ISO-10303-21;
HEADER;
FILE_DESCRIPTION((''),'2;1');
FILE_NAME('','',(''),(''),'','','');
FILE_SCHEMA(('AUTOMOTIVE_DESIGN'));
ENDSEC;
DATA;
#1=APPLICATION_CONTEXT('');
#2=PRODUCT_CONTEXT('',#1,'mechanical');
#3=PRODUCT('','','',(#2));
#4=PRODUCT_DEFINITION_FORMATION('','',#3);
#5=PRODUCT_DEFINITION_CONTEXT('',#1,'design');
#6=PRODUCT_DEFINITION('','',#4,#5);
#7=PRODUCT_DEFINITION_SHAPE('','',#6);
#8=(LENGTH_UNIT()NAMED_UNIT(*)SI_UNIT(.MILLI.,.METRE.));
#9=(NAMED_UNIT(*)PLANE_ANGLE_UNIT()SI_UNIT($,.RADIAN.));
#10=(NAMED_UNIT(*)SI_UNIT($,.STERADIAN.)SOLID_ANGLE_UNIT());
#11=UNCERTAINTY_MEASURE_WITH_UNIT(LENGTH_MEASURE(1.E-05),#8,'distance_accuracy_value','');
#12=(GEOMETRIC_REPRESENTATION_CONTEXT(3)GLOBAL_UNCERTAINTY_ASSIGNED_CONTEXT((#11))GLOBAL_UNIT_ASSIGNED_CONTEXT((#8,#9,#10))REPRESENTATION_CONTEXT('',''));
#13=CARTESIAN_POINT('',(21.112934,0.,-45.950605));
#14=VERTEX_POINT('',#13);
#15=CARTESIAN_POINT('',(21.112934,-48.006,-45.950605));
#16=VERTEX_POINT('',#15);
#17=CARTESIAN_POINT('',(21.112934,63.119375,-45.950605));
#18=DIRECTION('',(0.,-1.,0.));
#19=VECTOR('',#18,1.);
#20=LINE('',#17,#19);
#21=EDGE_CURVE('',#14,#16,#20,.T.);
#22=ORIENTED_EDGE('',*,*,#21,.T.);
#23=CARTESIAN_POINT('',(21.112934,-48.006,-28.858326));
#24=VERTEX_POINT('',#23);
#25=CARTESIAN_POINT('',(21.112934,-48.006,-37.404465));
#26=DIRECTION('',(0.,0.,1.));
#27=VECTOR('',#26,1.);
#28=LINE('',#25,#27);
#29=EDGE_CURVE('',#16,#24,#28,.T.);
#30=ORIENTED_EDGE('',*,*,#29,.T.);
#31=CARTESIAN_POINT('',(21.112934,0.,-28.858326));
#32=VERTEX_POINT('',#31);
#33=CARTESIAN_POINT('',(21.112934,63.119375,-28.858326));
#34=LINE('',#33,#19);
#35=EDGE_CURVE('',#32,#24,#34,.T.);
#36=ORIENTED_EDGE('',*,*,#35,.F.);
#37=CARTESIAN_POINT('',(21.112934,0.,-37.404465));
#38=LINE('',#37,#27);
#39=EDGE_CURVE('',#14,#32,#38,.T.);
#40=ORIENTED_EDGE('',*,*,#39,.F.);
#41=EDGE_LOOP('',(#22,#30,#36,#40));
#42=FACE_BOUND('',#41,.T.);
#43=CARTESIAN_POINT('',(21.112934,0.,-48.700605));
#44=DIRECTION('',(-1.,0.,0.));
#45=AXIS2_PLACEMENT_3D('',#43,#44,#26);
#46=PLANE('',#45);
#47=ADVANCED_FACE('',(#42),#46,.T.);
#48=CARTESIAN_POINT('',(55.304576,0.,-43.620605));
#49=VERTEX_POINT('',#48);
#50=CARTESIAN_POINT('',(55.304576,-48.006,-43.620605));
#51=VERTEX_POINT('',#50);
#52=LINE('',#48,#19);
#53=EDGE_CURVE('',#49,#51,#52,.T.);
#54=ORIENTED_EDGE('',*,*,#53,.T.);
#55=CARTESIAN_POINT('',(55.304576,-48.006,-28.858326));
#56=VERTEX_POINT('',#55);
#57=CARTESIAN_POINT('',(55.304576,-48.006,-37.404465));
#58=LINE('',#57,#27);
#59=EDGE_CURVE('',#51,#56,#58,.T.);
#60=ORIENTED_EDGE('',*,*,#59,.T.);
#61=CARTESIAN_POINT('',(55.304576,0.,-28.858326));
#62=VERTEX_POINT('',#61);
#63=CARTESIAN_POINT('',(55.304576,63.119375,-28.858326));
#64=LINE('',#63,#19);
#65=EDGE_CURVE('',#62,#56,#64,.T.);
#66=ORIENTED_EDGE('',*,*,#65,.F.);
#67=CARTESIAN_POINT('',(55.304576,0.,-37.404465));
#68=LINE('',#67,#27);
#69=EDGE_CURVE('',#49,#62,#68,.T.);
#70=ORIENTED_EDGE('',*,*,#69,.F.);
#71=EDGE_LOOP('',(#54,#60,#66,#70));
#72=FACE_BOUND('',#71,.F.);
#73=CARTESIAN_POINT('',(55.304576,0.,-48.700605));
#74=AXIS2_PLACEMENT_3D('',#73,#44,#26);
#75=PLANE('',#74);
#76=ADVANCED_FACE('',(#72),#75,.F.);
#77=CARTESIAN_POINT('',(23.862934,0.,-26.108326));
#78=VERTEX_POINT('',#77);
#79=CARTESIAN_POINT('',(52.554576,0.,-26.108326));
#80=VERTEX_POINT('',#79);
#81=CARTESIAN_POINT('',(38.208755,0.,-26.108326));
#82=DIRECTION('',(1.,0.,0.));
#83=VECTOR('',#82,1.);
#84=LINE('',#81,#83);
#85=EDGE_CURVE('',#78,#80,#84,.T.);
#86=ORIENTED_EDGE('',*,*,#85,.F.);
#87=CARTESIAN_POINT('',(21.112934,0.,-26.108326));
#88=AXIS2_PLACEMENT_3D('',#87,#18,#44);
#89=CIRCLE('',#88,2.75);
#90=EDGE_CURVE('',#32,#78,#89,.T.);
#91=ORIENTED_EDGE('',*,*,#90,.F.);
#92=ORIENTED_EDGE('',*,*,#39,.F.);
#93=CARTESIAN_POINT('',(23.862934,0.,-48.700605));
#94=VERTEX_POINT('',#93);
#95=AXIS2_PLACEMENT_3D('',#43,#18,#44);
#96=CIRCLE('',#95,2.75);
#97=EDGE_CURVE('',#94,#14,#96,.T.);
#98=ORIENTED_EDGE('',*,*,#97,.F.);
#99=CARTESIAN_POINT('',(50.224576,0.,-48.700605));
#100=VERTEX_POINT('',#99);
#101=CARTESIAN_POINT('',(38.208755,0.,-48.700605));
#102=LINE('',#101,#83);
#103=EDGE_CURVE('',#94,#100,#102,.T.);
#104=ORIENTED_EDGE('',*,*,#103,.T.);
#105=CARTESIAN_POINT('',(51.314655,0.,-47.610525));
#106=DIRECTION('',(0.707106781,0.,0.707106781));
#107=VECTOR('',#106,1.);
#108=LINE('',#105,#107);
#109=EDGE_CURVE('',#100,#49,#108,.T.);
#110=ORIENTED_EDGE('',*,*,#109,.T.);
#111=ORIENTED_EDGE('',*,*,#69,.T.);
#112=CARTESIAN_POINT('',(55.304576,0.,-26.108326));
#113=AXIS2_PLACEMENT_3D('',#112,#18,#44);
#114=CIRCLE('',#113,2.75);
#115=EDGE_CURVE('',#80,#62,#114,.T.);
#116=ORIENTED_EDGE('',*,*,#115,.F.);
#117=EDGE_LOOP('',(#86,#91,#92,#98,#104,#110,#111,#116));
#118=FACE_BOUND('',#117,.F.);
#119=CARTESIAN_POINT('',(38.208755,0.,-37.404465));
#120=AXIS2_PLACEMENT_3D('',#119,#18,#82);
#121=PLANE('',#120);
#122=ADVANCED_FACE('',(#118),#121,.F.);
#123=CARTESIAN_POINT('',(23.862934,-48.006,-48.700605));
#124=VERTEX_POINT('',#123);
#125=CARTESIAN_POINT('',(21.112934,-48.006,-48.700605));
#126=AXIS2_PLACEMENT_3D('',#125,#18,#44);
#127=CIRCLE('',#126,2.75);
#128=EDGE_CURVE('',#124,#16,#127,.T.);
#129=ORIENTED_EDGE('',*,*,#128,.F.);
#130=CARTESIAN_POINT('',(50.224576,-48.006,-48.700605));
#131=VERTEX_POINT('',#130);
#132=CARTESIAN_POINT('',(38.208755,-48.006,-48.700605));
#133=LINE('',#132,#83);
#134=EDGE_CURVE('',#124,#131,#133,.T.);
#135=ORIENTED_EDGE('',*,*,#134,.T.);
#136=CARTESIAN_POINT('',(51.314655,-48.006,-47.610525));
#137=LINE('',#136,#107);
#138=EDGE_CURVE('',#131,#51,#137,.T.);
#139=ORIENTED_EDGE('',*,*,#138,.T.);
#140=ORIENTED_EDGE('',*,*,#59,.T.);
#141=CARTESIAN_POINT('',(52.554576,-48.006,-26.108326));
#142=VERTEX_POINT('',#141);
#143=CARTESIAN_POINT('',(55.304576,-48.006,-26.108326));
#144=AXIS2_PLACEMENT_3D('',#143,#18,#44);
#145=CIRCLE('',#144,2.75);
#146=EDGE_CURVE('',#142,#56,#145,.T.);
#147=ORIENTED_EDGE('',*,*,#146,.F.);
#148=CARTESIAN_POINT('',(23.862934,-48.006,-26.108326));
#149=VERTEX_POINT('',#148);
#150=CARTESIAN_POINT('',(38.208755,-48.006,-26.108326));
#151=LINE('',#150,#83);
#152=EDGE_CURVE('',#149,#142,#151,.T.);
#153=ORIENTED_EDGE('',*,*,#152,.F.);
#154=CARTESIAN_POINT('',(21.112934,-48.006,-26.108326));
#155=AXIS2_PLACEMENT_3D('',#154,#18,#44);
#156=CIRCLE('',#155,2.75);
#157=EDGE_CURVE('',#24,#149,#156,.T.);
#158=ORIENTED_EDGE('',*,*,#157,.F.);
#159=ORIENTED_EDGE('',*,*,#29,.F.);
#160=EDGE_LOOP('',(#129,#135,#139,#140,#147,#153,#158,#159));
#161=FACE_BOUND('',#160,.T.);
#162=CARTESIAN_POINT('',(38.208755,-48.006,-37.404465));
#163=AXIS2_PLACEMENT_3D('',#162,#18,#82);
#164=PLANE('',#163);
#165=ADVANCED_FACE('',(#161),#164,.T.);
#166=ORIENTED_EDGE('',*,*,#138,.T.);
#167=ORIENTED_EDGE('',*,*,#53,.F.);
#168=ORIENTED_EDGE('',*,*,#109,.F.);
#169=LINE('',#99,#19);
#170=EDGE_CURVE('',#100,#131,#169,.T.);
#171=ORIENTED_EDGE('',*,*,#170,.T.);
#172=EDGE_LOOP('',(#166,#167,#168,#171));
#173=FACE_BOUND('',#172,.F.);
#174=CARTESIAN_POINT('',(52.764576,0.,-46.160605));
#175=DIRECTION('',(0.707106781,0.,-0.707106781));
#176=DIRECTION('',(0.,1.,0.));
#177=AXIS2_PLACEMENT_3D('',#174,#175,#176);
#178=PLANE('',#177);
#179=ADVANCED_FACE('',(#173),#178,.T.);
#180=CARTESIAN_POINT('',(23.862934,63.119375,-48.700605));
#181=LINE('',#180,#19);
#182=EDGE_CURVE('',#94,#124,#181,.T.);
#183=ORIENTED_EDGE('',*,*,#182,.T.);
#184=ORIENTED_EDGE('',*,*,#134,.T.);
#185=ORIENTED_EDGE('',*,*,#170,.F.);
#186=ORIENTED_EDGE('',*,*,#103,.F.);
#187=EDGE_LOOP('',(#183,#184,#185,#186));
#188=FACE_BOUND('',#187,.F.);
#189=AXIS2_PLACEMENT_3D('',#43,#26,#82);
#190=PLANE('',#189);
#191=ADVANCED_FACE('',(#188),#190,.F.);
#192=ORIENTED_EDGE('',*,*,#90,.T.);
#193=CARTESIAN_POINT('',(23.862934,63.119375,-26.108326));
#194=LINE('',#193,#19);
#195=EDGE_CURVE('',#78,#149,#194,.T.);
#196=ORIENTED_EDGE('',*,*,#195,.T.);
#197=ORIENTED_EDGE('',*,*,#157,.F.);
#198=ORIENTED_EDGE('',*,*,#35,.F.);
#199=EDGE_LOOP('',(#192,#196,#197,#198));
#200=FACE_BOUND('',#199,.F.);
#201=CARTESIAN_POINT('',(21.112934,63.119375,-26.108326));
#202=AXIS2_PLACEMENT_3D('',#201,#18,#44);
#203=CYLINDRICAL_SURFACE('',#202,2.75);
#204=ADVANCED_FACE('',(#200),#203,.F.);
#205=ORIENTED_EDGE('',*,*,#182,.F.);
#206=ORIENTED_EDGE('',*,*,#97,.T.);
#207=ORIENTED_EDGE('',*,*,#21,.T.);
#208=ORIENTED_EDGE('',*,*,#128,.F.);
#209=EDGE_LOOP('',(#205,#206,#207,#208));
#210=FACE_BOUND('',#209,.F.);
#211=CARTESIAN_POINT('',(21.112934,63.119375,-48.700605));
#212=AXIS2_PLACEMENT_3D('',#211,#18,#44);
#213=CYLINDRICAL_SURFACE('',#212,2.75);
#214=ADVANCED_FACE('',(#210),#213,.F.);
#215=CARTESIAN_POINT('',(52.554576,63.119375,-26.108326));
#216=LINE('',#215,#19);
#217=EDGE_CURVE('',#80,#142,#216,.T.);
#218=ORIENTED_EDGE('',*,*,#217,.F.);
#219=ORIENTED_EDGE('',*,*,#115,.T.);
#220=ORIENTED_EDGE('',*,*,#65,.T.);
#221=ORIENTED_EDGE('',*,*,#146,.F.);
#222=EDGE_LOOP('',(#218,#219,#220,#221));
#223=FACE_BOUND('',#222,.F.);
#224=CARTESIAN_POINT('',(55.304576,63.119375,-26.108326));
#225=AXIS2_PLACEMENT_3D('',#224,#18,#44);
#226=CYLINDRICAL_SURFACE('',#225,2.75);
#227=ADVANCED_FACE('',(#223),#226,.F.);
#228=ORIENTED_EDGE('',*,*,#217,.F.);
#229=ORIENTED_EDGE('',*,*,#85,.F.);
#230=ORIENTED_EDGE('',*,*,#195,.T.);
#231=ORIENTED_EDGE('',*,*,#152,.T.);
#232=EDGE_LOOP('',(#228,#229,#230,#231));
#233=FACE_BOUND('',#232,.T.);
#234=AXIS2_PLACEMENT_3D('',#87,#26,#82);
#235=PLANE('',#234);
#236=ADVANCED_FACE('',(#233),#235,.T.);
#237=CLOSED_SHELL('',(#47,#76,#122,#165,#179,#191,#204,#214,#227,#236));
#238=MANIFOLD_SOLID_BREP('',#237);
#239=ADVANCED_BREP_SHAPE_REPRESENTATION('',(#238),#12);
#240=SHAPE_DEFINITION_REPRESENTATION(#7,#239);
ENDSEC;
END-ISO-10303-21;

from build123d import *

# Parameters (mm, degrees)
F0_W     = 34.1916419566
F0_H     = 22.5922781974
F1_DEPTH = 48.006
F2_SIZE  = 5.08
F3_D     = 5.5


with BuildPart() as f1:
    # F0 (on Front) → F1 (new body)
    with BuildSketch(Plane.XZ):
        with Locations((38.2087547332, -37.4044654891)):
            Rectangle(F0_W, F0_H)
    extrude(amount=F1_DEPTH)

    # F2
    f2_edges = [f1.edges().sort_by_distance(p)[0] for p in [
        (55.304576, -24.003, -48.700605),
    ]]
    chamfer(f2_edges, length=F2_SIZE)

    # F3 (through all)
    with Locations(Plane(origin=(0, 0, 0), x_dir=(1, 0, 0), z_dir=(0, 1, 0))):
        with Locations((55.3045757115, 48.7006045878), (55.3045757115, 26.1083263904), (21.1129337549, 48.7006045878), (21.1129337549, 26.1083263904)):
            Hole(F3_D / 2)


solid = f1.part
